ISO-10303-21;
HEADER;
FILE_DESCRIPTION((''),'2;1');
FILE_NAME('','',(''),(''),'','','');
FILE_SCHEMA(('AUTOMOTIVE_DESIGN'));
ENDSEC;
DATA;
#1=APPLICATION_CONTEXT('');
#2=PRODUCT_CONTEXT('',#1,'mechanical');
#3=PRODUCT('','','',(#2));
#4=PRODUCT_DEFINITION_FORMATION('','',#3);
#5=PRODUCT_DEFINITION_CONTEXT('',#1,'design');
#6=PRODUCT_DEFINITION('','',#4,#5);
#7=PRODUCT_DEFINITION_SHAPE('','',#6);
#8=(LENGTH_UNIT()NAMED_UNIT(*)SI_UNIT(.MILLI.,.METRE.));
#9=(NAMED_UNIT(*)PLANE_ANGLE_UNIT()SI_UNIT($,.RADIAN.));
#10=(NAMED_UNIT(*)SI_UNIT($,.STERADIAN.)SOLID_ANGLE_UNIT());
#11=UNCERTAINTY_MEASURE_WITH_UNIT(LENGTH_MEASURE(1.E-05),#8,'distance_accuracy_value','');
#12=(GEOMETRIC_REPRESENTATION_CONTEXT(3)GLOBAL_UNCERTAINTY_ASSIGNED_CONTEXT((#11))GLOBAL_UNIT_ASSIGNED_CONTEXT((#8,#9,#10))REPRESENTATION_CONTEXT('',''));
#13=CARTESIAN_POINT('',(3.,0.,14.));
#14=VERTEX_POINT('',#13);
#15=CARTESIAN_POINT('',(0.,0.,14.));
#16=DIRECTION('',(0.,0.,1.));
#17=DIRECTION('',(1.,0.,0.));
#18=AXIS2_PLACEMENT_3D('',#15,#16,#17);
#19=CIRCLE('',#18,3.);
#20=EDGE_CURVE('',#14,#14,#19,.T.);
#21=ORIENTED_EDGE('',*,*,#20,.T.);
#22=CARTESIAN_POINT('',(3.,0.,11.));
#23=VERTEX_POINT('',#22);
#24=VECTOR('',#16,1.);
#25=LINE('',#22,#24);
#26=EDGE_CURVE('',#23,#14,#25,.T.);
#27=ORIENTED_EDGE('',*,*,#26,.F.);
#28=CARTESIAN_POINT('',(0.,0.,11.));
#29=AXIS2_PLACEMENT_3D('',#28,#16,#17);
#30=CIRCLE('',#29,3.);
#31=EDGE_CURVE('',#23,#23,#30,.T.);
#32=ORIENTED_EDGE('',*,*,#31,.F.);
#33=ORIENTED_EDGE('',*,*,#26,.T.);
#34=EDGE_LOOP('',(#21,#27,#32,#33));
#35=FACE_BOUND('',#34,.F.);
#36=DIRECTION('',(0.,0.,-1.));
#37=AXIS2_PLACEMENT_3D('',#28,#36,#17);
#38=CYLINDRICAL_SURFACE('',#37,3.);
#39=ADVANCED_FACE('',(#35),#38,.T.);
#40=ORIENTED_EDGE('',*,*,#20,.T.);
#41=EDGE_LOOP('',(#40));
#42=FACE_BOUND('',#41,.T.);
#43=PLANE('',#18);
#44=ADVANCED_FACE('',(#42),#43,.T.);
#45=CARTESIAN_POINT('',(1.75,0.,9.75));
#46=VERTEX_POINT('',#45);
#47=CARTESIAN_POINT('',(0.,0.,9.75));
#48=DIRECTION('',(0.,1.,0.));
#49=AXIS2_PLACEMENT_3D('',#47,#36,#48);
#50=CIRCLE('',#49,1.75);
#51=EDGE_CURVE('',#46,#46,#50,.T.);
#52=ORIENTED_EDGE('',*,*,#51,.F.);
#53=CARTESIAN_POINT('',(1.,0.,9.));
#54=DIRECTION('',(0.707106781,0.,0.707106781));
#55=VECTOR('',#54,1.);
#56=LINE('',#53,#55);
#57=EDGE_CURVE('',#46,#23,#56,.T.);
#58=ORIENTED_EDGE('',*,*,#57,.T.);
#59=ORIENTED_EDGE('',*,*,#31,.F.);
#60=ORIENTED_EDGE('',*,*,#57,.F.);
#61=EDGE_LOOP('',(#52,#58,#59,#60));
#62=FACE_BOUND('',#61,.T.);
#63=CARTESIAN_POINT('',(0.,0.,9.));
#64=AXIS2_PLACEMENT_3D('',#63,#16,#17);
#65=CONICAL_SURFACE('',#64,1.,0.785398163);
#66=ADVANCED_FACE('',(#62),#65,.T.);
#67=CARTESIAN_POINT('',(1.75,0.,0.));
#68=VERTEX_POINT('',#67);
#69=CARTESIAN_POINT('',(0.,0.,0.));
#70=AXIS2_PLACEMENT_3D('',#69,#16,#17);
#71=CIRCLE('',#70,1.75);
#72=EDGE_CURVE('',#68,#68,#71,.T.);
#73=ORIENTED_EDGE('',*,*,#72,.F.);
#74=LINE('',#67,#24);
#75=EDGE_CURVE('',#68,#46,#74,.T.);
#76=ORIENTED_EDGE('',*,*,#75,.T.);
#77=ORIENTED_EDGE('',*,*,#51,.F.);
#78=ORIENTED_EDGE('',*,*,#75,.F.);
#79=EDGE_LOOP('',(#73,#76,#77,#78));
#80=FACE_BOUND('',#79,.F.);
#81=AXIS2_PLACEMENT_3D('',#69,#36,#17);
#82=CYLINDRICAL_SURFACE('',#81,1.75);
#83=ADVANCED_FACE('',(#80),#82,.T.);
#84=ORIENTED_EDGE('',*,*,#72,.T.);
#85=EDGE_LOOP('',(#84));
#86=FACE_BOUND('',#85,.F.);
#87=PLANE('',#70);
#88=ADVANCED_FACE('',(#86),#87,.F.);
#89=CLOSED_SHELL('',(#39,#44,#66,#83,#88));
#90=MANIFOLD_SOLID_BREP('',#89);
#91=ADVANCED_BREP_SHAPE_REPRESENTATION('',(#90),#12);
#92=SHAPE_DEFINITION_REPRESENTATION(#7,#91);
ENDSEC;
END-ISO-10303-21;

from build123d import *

# Parameters (mm, degrees)
CYLINDER002_R     = 1.75
CYLINDER002_DEPTH = 10
CYLINDER003_R     = 3
CYLINDER003_DEPTH = 3


with BuildPart() as cone:
    # Cone → Cone (revolve)
    with BuildSketch(Plane(origin=(0, 0, 9), x_dir=(1, 0, 0), z_dir=(0, -1, 0))):
        Polygon((0, 0), (1, 0), (3, 2), (0, 2), align=None)
    revolve(axis=Axis((0, 0, 9), (0, 0, 1)))


with BuildPart() as cylinder002:
    # Cylinder002 → Cylinder002 (new body)
    with BuildSketch(Plane.XY):
        Circle(CYLINDER002_R)
    extrude(amount=CYLINDER002_DEPTH)


with BuildPart() as fusion002:
    # Cylinder003 → Cylinder003 (new body)
    with BuildSketch(Plane.XY.offset(11)):
        Circle(CYLINDER003_R)
    extrude(amount=CYLINDER003_DEPTH)

    # Fusion002: union Cone, Cylinder002
    add(cone.part)
    add(cylinder002.part)


solid = fusion002.part
